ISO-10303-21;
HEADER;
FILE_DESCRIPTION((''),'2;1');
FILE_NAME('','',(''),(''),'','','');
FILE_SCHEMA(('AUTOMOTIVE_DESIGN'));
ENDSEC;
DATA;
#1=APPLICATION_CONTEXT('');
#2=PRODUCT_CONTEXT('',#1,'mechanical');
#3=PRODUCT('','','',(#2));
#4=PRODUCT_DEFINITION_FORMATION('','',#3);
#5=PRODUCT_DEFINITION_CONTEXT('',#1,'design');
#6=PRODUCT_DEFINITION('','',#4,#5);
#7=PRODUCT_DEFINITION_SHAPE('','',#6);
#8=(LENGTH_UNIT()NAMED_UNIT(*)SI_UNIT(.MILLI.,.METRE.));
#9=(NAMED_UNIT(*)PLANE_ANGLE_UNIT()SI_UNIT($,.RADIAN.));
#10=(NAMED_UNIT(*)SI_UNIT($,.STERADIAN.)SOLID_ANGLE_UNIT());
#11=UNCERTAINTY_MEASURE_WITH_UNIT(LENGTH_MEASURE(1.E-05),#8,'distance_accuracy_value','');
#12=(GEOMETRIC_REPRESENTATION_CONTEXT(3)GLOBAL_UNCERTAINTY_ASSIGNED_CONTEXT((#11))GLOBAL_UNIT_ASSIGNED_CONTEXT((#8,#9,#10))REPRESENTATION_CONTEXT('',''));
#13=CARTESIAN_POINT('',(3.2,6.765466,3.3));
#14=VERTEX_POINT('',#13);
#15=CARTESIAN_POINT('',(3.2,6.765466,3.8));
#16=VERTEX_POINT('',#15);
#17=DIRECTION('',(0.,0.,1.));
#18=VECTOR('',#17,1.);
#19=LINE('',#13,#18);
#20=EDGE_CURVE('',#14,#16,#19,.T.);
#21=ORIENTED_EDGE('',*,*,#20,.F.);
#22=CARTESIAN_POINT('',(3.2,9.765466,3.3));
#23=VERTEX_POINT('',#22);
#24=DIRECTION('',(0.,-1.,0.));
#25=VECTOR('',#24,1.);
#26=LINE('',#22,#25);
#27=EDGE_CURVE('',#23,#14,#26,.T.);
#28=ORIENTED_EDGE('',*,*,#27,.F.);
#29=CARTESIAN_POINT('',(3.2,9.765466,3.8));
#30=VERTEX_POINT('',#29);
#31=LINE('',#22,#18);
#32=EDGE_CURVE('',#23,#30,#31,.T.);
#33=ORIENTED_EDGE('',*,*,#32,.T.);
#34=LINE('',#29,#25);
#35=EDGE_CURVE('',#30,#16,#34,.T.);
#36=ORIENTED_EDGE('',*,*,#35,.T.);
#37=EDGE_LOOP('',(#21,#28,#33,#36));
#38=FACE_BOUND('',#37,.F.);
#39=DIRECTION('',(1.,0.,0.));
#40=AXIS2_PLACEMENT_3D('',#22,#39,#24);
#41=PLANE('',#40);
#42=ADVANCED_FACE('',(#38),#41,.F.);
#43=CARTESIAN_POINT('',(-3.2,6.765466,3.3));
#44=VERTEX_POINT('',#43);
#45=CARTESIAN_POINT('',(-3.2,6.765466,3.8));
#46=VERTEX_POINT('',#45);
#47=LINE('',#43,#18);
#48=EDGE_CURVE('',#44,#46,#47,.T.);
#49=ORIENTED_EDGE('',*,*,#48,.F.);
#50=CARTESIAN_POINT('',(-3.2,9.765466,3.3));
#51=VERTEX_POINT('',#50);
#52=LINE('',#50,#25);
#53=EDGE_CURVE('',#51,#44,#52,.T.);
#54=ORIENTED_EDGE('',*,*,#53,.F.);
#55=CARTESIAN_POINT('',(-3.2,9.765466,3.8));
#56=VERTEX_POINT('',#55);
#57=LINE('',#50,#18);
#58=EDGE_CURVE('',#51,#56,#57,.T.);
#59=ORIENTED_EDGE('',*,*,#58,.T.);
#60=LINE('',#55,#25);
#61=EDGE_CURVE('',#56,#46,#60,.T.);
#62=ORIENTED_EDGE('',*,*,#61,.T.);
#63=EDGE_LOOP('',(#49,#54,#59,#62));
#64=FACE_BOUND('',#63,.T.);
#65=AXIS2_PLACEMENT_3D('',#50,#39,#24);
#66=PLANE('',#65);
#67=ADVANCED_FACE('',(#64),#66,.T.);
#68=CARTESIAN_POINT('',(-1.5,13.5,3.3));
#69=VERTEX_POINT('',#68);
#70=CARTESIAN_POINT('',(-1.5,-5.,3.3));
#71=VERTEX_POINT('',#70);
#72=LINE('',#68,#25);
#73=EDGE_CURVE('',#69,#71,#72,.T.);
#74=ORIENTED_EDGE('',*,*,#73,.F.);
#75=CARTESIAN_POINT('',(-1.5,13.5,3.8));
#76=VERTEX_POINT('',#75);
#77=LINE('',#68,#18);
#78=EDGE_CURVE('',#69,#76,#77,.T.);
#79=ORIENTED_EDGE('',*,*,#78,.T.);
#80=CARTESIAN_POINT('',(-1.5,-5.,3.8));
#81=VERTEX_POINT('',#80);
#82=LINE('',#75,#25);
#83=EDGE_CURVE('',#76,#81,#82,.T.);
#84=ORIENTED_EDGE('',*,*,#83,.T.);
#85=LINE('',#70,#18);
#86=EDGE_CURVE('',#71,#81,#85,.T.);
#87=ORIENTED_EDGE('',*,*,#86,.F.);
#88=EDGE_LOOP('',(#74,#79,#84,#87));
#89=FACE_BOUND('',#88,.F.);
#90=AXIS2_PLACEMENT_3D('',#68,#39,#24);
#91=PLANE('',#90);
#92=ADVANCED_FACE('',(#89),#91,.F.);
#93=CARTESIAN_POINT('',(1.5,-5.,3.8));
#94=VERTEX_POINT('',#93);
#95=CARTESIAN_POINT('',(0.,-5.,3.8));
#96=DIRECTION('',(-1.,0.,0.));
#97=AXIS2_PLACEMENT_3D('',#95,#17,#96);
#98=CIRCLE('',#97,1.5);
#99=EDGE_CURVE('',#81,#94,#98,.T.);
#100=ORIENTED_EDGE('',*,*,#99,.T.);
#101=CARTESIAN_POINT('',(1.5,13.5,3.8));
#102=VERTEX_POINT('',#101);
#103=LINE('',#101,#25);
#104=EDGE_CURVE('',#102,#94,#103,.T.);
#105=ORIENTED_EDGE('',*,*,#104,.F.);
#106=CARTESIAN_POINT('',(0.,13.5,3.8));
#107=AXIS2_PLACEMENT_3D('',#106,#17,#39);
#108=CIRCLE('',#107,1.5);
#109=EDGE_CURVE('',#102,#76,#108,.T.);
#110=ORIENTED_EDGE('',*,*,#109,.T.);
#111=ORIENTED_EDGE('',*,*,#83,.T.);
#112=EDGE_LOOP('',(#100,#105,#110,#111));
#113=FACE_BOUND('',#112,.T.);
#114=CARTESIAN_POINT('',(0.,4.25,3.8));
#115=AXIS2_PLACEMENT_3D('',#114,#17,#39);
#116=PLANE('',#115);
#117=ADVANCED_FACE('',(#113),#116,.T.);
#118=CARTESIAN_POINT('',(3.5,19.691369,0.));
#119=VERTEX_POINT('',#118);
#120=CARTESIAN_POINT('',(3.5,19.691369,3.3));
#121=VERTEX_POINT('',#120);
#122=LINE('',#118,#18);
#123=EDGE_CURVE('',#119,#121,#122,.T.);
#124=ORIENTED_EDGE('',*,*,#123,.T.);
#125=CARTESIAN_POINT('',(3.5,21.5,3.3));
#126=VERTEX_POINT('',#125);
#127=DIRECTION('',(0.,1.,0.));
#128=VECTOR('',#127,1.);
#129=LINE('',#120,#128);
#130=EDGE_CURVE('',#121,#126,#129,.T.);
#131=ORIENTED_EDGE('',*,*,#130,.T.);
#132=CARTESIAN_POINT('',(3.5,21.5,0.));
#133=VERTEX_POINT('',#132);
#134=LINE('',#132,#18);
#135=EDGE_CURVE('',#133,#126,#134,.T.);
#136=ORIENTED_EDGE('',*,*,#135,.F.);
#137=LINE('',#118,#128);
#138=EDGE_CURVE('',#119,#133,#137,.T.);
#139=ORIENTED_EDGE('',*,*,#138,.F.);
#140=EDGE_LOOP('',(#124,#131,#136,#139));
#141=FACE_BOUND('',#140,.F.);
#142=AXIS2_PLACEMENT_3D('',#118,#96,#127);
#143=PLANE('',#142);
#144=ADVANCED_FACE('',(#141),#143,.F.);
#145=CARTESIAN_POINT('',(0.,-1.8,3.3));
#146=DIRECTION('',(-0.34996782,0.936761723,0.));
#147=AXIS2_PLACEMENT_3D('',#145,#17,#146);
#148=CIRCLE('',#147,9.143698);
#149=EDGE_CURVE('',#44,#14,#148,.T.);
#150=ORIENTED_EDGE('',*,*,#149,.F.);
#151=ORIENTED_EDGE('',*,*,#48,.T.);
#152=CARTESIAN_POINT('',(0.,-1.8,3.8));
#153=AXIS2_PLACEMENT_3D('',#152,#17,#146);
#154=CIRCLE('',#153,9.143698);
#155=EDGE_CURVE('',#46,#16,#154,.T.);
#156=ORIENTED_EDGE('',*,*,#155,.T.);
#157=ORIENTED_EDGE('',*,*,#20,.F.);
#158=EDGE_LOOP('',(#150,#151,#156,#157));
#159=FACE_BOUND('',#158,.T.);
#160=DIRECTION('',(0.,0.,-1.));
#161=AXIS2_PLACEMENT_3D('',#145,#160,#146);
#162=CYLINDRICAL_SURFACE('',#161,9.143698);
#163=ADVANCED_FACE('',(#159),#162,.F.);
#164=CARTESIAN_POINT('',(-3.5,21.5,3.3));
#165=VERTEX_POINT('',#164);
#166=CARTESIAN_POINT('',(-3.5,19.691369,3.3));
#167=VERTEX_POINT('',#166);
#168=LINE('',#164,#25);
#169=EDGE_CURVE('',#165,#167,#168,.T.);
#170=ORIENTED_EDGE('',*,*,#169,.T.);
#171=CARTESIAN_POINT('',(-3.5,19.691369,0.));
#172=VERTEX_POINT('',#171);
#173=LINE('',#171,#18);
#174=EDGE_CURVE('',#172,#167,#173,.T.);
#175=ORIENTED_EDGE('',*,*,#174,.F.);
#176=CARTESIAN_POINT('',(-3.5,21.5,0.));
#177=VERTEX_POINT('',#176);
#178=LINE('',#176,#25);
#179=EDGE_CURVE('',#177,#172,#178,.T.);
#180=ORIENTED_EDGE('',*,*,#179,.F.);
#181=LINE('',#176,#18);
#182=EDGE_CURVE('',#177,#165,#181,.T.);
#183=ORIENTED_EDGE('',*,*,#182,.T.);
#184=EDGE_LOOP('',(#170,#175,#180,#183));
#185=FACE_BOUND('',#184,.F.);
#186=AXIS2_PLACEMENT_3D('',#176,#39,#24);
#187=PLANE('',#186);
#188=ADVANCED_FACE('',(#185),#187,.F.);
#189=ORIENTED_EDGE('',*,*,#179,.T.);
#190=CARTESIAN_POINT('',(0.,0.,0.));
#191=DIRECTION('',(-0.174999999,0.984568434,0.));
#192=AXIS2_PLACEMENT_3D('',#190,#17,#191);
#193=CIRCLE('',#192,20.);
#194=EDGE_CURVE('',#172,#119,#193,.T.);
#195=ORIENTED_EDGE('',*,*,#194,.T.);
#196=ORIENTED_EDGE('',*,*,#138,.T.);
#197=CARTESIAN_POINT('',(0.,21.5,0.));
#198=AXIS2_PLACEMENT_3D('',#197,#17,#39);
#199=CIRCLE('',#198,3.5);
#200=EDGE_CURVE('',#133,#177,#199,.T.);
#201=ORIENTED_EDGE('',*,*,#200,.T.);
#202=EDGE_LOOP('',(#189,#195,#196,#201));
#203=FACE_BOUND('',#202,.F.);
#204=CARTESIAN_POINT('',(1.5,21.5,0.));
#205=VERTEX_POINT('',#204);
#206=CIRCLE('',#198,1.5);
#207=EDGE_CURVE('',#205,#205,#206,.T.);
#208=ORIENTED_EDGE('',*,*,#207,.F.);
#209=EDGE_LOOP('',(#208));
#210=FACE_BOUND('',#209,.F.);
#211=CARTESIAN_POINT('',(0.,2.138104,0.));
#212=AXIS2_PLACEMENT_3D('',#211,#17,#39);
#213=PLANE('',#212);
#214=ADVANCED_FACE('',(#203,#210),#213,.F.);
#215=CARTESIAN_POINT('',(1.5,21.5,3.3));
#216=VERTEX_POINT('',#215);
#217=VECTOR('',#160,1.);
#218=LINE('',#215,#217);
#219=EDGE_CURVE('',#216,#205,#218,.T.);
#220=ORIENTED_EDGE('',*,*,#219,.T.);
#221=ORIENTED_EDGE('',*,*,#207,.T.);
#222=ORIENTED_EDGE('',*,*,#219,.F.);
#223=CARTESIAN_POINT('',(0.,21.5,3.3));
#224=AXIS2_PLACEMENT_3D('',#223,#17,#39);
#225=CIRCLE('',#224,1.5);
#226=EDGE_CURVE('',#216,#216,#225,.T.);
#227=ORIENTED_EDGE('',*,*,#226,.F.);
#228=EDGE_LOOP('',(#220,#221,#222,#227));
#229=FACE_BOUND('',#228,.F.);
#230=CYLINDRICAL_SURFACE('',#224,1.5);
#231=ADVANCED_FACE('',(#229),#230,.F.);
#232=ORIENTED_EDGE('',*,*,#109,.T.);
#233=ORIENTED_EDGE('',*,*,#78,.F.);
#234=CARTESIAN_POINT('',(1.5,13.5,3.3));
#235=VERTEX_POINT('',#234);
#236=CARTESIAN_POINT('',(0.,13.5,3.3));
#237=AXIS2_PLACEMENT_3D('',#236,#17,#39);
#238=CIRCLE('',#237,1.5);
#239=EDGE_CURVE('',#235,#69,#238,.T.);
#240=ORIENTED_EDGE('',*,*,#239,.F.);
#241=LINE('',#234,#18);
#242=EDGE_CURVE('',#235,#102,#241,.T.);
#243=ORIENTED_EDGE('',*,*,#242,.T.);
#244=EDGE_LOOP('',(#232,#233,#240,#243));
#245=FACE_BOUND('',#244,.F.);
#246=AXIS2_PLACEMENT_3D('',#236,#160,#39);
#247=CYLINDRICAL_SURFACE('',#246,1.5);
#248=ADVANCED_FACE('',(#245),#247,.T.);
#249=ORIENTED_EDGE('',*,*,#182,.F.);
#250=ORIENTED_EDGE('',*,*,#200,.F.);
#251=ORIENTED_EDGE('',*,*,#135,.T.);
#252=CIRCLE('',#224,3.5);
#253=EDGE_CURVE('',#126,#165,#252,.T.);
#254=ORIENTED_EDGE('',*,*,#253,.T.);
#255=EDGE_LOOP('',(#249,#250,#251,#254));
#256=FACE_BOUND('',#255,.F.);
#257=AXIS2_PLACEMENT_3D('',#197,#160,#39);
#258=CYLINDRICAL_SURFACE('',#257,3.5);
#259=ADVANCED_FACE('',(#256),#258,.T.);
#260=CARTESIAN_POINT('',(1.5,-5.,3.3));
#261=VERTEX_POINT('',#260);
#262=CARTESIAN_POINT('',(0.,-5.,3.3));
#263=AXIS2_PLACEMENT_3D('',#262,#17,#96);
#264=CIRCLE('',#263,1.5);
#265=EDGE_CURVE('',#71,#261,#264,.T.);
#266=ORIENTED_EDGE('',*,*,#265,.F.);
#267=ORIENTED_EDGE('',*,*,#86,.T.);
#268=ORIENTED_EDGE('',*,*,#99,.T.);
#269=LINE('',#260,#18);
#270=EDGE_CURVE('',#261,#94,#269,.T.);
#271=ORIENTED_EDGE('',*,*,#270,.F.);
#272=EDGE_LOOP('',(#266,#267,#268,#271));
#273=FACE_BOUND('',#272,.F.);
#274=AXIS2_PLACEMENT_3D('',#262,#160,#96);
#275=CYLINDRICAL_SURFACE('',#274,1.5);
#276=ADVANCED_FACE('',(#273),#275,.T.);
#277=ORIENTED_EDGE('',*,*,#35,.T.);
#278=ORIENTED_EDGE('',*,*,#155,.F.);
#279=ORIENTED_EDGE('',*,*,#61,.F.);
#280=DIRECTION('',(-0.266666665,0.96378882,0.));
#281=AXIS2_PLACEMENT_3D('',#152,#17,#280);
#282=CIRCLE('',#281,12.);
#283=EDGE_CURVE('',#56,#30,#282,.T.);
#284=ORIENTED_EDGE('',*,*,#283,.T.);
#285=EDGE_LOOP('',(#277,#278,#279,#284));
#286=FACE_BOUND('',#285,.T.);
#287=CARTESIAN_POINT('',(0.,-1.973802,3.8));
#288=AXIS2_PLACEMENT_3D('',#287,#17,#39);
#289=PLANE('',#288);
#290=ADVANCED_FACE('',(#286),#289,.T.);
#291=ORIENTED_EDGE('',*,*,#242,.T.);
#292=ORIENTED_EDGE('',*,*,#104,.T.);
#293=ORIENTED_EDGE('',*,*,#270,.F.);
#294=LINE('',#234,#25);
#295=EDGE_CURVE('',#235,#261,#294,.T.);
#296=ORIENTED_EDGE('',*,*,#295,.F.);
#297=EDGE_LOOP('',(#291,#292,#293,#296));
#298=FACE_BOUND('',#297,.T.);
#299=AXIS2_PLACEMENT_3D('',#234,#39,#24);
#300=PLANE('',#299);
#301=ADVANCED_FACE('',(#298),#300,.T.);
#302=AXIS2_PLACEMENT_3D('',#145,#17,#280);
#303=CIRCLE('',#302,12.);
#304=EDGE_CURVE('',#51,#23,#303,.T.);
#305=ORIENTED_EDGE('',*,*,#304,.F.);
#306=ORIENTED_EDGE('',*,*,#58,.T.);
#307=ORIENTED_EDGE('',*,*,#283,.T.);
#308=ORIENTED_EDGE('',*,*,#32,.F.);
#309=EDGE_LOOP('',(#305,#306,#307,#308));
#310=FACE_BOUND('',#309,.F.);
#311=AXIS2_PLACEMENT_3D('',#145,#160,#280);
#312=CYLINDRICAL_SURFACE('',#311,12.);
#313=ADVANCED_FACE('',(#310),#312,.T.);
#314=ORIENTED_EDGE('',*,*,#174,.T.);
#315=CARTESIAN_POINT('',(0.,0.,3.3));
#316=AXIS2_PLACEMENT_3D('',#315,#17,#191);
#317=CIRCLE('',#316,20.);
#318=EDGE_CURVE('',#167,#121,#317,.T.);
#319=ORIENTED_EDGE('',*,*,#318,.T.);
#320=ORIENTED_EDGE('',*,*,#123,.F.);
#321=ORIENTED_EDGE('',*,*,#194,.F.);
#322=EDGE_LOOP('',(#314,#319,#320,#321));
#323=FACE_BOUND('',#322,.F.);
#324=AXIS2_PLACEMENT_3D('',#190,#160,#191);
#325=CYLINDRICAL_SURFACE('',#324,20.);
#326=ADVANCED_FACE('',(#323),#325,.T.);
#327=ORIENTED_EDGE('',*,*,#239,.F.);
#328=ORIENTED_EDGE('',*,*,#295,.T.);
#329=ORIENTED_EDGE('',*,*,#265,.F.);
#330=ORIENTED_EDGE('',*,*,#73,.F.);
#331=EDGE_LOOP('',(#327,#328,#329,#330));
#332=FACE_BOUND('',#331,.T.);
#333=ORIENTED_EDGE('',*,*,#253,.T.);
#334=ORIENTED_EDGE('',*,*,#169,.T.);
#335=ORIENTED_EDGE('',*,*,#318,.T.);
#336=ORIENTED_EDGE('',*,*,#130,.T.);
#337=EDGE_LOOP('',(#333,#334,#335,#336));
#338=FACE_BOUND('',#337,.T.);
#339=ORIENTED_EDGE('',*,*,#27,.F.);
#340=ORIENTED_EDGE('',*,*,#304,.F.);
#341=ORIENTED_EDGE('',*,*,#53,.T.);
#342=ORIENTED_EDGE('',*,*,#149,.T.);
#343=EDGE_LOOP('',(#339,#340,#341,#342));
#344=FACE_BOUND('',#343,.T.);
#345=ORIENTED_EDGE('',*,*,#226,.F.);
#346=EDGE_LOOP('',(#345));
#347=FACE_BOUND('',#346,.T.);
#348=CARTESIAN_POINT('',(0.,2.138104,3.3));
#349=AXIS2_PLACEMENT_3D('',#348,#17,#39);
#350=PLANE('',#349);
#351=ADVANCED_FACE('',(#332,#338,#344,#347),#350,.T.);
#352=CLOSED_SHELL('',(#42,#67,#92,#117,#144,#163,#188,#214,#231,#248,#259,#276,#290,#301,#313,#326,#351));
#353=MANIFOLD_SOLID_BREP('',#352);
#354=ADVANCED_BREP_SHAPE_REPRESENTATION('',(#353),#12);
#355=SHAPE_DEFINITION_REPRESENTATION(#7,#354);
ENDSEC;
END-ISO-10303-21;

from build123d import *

# Parameters (mm, degrees)
EXTRUDE_DEPTH = 3.3
SKETCH001_R   = 1.5
POCKET_DEPTH  = 3.301
PAD_DEPTH     = 0.5


with BuildPart() as part:
    # Sketch → Extrude (new body)
    with BuildSketch(Plane.XY):
        with BuildLine():
            ThreePointArc((3.5, 21.5), (0, 25), (-3.5, 21.5))
            Line((-3.5, 21.5), (-3.5, 19.691369))
            ThreePointArc((-3.5, 19.691369), (0, -20), (3.5, 19.691369))
            Line((3.5, 19.691369), (3.5, 21.5))
        make_face()
    extrude(amount=EXTRUDE_DEPTH)

    # Sketch001 → Pocket (cut, through all)
    with BuildSketch(Plane.XY.offset(3.3)):
        with Locations((0, 21.5)):
            Circle(SKETCH001_R)
    extrude(amount=-POCKET_DEPTH, mode=Mode.SUBTRACT)

    # Sketch002 → Pad (new body)
    with BuildSketch(Plane.XY.offset(3.3)):
        with BuildLine():
            Line((-1.5, 13.5), (-1.5, -5))
            ThreePointArc((-1.5, -5), (0, -6.5), (1.5, -5))
            Line((1.5, 13.5), (1.5, -5))
            ThreePointArc((1.5, 13.5), (0, 15), (-1.5, 13.5))
        make_face()
        with BuildLine():
            ThreePointArc((-3.2, 9.765466), (0, -13.8), (3.2, 9.765466))
            Line((3.2, 9.765466), (3.2, 6.765466))
            ThreePointArc((-3.2, 6.765466), (0, -10.943698), (3.2, 6.765466))
            Line((-3.2, 9.765466), (-3.2, 6.765466))
        make_face()
    extrude(amount=PAD_DEPTH)


solid = part.part
